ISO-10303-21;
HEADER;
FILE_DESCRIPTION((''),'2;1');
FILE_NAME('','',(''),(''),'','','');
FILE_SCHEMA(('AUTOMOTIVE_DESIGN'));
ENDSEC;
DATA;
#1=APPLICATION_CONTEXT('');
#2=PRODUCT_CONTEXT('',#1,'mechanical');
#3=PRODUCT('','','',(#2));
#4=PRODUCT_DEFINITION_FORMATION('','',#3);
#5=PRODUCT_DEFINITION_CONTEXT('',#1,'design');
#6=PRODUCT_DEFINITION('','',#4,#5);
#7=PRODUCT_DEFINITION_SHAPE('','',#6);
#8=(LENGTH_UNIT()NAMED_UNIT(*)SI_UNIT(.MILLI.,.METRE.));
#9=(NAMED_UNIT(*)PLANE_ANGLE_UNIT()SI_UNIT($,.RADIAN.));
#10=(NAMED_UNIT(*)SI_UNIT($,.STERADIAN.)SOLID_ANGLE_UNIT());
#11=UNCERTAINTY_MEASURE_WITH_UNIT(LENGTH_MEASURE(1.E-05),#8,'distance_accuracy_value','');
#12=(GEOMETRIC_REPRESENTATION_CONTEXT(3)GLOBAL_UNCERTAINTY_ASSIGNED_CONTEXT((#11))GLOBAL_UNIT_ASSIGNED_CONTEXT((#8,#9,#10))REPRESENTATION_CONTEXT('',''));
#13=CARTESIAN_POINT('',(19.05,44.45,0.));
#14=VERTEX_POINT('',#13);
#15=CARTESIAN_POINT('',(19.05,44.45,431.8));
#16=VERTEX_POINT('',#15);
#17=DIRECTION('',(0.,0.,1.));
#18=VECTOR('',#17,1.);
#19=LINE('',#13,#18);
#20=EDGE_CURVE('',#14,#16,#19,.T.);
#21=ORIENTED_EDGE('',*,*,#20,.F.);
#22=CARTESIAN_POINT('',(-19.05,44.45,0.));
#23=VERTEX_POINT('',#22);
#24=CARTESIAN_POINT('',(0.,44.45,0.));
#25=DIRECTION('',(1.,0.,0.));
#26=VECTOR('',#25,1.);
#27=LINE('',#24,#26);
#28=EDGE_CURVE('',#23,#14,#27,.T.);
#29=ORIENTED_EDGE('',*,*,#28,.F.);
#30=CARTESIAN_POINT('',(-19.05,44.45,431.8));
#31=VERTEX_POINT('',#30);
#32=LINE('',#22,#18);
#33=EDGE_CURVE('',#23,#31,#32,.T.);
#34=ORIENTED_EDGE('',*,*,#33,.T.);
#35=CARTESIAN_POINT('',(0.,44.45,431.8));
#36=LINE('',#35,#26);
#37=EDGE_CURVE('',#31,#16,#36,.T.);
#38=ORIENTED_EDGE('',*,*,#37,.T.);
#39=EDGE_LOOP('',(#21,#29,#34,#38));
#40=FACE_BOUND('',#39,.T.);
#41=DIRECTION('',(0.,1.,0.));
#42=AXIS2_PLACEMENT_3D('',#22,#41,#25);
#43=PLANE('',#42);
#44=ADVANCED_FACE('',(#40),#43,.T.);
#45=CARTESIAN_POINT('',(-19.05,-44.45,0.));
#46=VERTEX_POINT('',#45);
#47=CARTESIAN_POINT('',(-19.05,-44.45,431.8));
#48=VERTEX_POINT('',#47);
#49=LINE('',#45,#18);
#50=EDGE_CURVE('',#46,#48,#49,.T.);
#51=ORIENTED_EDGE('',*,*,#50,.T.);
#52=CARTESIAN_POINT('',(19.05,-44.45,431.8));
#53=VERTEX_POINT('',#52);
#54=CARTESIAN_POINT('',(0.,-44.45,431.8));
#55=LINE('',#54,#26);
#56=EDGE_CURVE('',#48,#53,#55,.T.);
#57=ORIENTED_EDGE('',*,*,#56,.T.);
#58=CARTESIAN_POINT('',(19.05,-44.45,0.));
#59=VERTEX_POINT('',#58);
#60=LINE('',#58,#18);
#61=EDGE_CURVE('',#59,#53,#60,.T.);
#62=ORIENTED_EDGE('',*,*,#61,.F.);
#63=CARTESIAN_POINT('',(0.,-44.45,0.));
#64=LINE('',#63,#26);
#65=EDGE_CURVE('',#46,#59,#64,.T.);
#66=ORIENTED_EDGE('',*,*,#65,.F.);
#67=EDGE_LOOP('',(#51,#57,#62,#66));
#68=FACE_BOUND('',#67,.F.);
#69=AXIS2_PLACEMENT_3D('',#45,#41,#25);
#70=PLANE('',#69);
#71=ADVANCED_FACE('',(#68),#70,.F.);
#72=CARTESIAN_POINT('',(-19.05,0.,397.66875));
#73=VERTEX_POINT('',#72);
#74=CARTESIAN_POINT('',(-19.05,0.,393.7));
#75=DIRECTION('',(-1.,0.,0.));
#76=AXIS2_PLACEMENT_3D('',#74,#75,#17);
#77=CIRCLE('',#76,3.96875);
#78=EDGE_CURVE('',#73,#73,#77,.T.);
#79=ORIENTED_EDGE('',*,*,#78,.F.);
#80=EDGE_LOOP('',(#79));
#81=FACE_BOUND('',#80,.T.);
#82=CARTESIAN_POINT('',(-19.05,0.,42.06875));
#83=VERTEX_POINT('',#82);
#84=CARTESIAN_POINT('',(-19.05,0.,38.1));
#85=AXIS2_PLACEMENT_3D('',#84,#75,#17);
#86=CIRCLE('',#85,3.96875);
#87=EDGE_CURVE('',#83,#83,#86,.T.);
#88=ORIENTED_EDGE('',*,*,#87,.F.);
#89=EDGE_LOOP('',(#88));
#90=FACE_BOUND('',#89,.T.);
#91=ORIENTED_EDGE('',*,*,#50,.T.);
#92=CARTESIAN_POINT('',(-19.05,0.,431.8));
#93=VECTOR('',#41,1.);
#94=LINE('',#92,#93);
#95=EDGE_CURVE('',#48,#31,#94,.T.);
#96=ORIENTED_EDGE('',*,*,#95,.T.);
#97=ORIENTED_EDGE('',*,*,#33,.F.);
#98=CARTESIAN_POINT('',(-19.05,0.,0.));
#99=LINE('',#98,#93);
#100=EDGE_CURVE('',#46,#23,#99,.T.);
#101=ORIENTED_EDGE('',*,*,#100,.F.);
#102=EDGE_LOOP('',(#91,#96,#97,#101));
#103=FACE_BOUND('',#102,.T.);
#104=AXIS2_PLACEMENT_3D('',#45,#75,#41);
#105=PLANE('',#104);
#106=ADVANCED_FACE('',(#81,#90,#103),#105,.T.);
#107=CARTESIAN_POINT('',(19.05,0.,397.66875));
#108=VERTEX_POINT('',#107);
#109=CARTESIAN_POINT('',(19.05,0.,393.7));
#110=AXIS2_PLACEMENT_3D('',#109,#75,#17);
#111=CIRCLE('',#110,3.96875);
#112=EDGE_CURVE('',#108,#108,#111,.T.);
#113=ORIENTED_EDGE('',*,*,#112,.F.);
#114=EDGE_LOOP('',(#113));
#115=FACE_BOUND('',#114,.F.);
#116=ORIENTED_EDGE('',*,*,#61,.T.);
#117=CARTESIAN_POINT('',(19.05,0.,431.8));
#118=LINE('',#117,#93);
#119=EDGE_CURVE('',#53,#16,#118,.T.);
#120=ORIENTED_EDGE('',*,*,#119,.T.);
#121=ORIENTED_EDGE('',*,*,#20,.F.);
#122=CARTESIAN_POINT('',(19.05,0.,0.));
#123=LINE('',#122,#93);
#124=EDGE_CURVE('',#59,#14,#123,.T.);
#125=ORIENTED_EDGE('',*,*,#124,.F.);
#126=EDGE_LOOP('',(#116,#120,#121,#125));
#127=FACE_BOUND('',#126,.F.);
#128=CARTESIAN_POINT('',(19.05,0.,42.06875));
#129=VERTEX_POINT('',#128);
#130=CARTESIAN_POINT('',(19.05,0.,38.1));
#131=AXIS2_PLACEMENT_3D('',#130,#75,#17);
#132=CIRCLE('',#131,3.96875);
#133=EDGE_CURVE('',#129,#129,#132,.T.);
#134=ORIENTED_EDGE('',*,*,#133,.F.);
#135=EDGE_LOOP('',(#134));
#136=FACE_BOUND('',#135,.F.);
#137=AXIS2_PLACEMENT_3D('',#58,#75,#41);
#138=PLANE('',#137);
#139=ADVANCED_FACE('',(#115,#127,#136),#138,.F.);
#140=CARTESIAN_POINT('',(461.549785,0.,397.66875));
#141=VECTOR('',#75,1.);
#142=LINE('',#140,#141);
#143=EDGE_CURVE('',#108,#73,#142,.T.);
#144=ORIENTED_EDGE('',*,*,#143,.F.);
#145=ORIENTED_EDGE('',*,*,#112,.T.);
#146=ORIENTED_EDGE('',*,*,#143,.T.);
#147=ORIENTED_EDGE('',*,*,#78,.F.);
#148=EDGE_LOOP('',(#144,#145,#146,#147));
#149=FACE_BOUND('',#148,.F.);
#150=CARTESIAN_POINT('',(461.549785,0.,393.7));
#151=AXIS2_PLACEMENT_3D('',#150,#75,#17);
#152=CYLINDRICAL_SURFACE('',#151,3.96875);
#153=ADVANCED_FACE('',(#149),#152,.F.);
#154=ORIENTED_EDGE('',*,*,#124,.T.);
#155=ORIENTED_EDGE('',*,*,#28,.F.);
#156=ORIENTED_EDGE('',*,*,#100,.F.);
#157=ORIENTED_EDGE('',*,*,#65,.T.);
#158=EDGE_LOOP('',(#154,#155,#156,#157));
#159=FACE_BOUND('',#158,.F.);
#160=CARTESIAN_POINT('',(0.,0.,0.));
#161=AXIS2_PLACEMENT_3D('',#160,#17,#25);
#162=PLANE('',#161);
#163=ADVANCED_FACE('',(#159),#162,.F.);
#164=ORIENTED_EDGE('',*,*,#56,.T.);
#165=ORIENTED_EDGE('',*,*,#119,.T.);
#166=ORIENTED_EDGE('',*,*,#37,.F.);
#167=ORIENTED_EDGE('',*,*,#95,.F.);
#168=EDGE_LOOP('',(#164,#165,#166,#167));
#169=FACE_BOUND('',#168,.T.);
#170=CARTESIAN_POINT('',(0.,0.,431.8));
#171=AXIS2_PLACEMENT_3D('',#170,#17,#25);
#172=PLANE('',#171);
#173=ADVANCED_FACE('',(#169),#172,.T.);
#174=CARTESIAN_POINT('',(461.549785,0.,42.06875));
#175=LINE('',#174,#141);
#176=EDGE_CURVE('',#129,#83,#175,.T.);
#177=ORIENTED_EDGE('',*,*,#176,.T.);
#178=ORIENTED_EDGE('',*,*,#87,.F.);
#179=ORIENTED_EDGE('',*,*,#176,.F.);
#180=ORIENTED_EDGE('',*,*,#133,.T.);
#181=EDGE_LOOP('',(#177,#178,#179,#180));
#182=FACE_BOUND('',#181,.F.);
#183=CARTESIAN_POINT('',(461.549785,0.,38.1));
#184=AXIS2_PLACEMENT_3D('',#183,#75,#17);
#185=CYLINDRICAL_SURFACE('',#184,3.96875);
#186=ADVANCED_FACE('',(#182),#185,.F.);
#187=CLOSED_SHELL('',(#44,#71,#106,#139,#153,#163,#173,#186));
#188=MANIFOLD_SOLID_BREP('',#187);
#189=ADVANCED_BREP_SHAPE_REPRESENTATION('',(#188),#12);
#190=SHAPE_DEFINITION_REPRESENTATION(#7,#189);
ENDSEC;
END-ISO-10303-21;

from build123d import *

# Parameters (mm, degrees)
SKETCH1_W                      = 38.1
SKETCH1_H                      = 88.9
BOSS_EXTRUDE1_DEPTH            = 431.8
F_5_16_0_3125_DIAMETER_HOLE1_D = 7.9375


with BuildPart() as part:
    # Sketch1 → Boss-Extrude1 (new body)
    with BuildSketch(Plane.XY):
        Rectangle(SKETCH1_W, SKETCH1_H)
    extrude(amount=BOSS_EXTRUDE1_DEPTH)

    # 5/16 (0.3125) Diameter Hole1 (through all)
    with Locations(Plane(origin=(19.05, 0, 0), x_dir=(0, 0, -1), z_dir=(1, 0, 0))):
        with Locations((-393.7, 0), (-38.1, 0)):
            Hole(F_5_16_0_3125_DIAMETER_HOLE1_D / 2)


solid = part.part
